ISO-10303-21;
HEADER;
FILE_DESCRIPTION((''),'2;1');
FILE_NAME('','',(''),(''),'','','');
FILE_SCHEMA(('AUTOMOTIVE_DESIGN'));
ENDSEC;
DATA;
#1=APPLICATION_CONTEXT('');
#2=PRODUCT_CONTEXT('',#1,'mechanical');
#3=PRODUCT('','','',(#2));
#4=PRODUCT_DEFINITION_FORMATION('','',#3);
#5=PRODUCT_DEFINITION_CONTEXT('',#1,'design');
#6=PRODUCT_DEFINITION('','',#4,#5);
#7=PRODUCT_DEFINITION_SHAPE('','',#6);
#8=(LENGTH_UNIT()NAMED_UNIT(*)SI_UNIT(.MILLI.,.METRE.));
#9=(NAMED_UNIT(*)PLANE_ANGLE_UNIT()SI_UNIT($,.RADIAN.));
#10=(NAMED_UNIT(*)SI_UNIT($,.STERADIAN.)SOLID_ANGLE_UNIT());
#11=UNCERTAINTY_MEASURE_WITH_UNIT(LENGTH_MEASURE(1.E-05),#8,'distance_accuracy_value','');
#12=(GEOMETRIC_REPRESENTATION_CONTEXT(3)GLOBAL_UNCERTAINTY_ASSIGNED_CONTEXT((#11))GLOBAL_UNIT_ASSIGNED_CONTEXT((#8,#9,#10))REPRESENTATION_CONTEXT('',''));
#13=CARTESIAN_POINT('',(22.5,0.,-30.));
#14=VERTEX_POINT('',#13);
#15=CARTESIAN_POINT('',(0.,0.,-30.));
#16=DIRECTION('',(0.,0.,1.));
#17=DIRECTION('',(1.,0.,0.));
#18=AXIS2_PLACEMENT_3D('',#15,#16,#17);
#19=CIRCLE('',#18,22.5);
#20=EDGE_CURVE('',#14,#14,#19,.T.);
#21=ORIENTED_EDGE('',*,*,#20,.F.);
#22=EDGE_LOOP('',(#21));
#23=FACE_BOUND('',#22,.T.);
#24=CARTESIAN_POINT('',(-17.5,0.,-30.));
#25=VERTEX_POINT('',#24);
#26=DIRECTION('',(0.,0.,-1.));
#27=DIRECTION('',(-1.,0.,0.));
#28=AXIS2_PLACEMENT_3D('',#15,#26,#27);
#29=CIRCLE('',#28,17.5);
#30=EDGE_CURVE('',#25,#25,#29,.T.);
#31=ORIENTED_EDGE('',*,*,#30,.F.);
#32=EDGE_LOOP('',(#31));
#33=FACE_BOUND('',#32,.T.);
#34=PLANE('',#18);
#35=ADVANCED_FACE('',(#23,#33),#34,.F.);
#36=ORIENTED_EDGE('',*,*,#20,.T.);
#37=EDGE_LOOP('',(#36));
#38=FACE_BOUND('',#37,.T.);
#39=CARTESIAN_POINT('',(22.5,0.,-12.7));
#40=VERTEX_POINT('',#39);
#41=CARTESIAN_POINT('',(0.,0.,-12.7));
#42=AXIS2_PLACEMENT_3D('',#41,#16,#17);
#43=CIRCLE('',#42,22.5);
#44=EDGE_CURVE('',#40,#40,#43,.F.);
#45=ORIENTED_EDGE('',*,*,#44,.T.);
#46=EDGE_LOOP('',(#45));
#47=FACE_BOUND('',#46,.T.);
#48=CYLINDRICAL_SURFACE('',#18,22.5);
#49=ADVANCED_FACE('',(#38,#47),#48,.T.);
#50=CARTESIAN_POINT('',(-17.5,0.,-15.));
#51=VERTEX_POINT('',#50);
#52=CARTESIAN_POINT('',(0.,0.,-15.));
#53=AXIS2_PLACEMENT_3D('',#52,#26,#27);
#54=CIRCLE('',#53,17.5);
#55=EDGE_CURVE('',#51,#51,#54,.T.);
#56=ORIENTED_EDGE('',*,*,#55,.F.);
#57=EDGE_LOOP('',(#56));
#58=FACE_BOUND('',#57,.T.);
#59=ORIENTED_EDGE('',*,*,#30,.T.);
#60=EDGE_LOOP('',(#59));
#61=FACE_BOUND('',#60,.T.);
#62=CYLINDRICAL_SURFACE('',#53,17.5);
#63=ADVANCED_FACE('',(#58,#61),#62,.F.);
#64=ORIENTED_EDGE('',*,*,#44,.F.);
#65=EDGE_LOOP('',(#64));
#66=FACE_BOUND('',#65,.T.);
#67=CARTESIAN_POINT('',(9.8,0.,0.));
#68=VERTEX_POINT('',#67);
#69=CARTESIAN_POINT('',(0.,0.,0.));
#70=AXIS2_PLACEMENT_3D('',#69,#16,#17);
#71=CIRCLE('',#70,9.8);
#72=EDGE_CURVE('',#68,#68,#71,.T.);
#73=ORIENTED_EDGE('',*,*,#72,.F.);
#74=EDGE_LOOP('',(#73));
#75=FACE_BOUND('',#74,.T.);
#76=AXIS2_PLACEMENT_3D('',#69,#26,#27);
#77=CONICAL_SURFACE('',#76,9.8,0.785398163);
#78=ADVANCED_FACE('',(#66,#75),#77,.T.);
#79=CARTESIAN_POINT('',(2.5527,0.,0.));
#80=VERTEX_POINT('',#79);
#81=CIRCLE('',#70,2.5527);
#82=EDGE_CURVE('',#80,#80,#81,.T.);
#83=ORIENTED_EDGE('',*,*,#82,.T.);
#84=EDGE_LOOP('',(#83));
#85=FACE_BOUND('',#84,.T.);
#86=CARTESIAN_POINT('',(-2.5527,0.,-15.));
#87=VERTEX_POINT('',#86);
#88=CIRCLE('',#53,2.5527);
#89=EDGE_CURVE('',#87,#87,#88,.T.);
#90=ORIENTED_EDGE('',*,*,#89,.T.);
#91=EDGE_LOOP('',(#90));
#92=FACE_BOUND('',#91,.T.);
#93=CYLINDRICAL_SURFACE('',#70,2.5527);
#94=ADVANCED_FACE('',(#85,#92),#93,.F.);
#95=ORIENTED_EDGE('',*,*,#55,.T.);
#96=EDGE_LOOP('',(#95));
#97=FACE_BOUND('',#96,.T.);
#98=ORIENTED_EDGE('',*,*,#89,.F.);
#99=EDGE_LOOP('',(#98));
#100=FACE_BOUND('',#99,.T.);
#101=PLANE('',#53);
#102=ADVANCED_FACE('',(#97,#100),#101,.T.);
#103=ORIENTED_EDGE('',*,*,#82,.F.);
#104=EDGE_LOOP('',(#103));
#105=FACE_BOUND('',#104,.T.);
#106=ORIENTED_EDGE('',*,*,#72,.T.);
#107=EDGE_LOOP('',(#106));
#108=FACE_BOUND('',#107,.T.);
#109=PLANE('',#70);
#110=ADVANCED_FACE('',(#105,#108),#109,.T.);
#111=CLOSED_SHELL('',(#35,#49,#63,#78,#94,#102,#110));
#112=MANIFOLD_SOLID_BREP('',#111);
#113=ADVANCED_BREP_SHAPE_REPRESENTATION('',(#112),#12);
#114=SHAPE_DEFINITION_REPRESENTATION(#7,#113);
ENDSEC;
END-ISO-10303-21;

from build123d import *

# Parameters (mm, degrees)
SKETCH1_R               = 22.5
BOSS_EXTRUDE1_DEPTH     = 30
SKETCH2_R               = 17.5
CUT_EXTRUDE1_DEPTH      = 15
F_1_4_20_TAPPED_HOLE1_D = 5.1054
CHAMFER1_SIZE           = 12.7


with BuildPart() as part:
    # Sketch1 → Boss-Extrude1 (new body)
    with BuildSketch(Plane.XY):
        Circle(SKETCH1_R)
    extrude(amount=-BOSS_EXTRUDE1_DEPTH)

    # Sketch2 → Cut-Extrude1 (cut)
    with BuildSketch(Plane(origin=(0, 0, -30), x_dir=(-1, 0, 0), z_dir=(0, 0, -1))):
        Circle(SKETCH2_R)
    extrude(amount=-CUT_EXTRUDE1_DEPTH, mode=Mode.SUBTRACT)

    # 1/4-20 Tapped Hole1 (through all)
    with Locations(Plane.XY):
        with Locations((0, 0)):
            Hole(F_1_4_20_TAPPED_HOLE1_D / 2)

    # Chamfer1
    chamfer1_edges = [part.edges().sort_by_distance(p)[0] for p in [
        (-22.5, 0, 0),
    ]]
    chamfer(chamfer1_edges, length=CHAMFER1_SIZE)


solid = part.part
